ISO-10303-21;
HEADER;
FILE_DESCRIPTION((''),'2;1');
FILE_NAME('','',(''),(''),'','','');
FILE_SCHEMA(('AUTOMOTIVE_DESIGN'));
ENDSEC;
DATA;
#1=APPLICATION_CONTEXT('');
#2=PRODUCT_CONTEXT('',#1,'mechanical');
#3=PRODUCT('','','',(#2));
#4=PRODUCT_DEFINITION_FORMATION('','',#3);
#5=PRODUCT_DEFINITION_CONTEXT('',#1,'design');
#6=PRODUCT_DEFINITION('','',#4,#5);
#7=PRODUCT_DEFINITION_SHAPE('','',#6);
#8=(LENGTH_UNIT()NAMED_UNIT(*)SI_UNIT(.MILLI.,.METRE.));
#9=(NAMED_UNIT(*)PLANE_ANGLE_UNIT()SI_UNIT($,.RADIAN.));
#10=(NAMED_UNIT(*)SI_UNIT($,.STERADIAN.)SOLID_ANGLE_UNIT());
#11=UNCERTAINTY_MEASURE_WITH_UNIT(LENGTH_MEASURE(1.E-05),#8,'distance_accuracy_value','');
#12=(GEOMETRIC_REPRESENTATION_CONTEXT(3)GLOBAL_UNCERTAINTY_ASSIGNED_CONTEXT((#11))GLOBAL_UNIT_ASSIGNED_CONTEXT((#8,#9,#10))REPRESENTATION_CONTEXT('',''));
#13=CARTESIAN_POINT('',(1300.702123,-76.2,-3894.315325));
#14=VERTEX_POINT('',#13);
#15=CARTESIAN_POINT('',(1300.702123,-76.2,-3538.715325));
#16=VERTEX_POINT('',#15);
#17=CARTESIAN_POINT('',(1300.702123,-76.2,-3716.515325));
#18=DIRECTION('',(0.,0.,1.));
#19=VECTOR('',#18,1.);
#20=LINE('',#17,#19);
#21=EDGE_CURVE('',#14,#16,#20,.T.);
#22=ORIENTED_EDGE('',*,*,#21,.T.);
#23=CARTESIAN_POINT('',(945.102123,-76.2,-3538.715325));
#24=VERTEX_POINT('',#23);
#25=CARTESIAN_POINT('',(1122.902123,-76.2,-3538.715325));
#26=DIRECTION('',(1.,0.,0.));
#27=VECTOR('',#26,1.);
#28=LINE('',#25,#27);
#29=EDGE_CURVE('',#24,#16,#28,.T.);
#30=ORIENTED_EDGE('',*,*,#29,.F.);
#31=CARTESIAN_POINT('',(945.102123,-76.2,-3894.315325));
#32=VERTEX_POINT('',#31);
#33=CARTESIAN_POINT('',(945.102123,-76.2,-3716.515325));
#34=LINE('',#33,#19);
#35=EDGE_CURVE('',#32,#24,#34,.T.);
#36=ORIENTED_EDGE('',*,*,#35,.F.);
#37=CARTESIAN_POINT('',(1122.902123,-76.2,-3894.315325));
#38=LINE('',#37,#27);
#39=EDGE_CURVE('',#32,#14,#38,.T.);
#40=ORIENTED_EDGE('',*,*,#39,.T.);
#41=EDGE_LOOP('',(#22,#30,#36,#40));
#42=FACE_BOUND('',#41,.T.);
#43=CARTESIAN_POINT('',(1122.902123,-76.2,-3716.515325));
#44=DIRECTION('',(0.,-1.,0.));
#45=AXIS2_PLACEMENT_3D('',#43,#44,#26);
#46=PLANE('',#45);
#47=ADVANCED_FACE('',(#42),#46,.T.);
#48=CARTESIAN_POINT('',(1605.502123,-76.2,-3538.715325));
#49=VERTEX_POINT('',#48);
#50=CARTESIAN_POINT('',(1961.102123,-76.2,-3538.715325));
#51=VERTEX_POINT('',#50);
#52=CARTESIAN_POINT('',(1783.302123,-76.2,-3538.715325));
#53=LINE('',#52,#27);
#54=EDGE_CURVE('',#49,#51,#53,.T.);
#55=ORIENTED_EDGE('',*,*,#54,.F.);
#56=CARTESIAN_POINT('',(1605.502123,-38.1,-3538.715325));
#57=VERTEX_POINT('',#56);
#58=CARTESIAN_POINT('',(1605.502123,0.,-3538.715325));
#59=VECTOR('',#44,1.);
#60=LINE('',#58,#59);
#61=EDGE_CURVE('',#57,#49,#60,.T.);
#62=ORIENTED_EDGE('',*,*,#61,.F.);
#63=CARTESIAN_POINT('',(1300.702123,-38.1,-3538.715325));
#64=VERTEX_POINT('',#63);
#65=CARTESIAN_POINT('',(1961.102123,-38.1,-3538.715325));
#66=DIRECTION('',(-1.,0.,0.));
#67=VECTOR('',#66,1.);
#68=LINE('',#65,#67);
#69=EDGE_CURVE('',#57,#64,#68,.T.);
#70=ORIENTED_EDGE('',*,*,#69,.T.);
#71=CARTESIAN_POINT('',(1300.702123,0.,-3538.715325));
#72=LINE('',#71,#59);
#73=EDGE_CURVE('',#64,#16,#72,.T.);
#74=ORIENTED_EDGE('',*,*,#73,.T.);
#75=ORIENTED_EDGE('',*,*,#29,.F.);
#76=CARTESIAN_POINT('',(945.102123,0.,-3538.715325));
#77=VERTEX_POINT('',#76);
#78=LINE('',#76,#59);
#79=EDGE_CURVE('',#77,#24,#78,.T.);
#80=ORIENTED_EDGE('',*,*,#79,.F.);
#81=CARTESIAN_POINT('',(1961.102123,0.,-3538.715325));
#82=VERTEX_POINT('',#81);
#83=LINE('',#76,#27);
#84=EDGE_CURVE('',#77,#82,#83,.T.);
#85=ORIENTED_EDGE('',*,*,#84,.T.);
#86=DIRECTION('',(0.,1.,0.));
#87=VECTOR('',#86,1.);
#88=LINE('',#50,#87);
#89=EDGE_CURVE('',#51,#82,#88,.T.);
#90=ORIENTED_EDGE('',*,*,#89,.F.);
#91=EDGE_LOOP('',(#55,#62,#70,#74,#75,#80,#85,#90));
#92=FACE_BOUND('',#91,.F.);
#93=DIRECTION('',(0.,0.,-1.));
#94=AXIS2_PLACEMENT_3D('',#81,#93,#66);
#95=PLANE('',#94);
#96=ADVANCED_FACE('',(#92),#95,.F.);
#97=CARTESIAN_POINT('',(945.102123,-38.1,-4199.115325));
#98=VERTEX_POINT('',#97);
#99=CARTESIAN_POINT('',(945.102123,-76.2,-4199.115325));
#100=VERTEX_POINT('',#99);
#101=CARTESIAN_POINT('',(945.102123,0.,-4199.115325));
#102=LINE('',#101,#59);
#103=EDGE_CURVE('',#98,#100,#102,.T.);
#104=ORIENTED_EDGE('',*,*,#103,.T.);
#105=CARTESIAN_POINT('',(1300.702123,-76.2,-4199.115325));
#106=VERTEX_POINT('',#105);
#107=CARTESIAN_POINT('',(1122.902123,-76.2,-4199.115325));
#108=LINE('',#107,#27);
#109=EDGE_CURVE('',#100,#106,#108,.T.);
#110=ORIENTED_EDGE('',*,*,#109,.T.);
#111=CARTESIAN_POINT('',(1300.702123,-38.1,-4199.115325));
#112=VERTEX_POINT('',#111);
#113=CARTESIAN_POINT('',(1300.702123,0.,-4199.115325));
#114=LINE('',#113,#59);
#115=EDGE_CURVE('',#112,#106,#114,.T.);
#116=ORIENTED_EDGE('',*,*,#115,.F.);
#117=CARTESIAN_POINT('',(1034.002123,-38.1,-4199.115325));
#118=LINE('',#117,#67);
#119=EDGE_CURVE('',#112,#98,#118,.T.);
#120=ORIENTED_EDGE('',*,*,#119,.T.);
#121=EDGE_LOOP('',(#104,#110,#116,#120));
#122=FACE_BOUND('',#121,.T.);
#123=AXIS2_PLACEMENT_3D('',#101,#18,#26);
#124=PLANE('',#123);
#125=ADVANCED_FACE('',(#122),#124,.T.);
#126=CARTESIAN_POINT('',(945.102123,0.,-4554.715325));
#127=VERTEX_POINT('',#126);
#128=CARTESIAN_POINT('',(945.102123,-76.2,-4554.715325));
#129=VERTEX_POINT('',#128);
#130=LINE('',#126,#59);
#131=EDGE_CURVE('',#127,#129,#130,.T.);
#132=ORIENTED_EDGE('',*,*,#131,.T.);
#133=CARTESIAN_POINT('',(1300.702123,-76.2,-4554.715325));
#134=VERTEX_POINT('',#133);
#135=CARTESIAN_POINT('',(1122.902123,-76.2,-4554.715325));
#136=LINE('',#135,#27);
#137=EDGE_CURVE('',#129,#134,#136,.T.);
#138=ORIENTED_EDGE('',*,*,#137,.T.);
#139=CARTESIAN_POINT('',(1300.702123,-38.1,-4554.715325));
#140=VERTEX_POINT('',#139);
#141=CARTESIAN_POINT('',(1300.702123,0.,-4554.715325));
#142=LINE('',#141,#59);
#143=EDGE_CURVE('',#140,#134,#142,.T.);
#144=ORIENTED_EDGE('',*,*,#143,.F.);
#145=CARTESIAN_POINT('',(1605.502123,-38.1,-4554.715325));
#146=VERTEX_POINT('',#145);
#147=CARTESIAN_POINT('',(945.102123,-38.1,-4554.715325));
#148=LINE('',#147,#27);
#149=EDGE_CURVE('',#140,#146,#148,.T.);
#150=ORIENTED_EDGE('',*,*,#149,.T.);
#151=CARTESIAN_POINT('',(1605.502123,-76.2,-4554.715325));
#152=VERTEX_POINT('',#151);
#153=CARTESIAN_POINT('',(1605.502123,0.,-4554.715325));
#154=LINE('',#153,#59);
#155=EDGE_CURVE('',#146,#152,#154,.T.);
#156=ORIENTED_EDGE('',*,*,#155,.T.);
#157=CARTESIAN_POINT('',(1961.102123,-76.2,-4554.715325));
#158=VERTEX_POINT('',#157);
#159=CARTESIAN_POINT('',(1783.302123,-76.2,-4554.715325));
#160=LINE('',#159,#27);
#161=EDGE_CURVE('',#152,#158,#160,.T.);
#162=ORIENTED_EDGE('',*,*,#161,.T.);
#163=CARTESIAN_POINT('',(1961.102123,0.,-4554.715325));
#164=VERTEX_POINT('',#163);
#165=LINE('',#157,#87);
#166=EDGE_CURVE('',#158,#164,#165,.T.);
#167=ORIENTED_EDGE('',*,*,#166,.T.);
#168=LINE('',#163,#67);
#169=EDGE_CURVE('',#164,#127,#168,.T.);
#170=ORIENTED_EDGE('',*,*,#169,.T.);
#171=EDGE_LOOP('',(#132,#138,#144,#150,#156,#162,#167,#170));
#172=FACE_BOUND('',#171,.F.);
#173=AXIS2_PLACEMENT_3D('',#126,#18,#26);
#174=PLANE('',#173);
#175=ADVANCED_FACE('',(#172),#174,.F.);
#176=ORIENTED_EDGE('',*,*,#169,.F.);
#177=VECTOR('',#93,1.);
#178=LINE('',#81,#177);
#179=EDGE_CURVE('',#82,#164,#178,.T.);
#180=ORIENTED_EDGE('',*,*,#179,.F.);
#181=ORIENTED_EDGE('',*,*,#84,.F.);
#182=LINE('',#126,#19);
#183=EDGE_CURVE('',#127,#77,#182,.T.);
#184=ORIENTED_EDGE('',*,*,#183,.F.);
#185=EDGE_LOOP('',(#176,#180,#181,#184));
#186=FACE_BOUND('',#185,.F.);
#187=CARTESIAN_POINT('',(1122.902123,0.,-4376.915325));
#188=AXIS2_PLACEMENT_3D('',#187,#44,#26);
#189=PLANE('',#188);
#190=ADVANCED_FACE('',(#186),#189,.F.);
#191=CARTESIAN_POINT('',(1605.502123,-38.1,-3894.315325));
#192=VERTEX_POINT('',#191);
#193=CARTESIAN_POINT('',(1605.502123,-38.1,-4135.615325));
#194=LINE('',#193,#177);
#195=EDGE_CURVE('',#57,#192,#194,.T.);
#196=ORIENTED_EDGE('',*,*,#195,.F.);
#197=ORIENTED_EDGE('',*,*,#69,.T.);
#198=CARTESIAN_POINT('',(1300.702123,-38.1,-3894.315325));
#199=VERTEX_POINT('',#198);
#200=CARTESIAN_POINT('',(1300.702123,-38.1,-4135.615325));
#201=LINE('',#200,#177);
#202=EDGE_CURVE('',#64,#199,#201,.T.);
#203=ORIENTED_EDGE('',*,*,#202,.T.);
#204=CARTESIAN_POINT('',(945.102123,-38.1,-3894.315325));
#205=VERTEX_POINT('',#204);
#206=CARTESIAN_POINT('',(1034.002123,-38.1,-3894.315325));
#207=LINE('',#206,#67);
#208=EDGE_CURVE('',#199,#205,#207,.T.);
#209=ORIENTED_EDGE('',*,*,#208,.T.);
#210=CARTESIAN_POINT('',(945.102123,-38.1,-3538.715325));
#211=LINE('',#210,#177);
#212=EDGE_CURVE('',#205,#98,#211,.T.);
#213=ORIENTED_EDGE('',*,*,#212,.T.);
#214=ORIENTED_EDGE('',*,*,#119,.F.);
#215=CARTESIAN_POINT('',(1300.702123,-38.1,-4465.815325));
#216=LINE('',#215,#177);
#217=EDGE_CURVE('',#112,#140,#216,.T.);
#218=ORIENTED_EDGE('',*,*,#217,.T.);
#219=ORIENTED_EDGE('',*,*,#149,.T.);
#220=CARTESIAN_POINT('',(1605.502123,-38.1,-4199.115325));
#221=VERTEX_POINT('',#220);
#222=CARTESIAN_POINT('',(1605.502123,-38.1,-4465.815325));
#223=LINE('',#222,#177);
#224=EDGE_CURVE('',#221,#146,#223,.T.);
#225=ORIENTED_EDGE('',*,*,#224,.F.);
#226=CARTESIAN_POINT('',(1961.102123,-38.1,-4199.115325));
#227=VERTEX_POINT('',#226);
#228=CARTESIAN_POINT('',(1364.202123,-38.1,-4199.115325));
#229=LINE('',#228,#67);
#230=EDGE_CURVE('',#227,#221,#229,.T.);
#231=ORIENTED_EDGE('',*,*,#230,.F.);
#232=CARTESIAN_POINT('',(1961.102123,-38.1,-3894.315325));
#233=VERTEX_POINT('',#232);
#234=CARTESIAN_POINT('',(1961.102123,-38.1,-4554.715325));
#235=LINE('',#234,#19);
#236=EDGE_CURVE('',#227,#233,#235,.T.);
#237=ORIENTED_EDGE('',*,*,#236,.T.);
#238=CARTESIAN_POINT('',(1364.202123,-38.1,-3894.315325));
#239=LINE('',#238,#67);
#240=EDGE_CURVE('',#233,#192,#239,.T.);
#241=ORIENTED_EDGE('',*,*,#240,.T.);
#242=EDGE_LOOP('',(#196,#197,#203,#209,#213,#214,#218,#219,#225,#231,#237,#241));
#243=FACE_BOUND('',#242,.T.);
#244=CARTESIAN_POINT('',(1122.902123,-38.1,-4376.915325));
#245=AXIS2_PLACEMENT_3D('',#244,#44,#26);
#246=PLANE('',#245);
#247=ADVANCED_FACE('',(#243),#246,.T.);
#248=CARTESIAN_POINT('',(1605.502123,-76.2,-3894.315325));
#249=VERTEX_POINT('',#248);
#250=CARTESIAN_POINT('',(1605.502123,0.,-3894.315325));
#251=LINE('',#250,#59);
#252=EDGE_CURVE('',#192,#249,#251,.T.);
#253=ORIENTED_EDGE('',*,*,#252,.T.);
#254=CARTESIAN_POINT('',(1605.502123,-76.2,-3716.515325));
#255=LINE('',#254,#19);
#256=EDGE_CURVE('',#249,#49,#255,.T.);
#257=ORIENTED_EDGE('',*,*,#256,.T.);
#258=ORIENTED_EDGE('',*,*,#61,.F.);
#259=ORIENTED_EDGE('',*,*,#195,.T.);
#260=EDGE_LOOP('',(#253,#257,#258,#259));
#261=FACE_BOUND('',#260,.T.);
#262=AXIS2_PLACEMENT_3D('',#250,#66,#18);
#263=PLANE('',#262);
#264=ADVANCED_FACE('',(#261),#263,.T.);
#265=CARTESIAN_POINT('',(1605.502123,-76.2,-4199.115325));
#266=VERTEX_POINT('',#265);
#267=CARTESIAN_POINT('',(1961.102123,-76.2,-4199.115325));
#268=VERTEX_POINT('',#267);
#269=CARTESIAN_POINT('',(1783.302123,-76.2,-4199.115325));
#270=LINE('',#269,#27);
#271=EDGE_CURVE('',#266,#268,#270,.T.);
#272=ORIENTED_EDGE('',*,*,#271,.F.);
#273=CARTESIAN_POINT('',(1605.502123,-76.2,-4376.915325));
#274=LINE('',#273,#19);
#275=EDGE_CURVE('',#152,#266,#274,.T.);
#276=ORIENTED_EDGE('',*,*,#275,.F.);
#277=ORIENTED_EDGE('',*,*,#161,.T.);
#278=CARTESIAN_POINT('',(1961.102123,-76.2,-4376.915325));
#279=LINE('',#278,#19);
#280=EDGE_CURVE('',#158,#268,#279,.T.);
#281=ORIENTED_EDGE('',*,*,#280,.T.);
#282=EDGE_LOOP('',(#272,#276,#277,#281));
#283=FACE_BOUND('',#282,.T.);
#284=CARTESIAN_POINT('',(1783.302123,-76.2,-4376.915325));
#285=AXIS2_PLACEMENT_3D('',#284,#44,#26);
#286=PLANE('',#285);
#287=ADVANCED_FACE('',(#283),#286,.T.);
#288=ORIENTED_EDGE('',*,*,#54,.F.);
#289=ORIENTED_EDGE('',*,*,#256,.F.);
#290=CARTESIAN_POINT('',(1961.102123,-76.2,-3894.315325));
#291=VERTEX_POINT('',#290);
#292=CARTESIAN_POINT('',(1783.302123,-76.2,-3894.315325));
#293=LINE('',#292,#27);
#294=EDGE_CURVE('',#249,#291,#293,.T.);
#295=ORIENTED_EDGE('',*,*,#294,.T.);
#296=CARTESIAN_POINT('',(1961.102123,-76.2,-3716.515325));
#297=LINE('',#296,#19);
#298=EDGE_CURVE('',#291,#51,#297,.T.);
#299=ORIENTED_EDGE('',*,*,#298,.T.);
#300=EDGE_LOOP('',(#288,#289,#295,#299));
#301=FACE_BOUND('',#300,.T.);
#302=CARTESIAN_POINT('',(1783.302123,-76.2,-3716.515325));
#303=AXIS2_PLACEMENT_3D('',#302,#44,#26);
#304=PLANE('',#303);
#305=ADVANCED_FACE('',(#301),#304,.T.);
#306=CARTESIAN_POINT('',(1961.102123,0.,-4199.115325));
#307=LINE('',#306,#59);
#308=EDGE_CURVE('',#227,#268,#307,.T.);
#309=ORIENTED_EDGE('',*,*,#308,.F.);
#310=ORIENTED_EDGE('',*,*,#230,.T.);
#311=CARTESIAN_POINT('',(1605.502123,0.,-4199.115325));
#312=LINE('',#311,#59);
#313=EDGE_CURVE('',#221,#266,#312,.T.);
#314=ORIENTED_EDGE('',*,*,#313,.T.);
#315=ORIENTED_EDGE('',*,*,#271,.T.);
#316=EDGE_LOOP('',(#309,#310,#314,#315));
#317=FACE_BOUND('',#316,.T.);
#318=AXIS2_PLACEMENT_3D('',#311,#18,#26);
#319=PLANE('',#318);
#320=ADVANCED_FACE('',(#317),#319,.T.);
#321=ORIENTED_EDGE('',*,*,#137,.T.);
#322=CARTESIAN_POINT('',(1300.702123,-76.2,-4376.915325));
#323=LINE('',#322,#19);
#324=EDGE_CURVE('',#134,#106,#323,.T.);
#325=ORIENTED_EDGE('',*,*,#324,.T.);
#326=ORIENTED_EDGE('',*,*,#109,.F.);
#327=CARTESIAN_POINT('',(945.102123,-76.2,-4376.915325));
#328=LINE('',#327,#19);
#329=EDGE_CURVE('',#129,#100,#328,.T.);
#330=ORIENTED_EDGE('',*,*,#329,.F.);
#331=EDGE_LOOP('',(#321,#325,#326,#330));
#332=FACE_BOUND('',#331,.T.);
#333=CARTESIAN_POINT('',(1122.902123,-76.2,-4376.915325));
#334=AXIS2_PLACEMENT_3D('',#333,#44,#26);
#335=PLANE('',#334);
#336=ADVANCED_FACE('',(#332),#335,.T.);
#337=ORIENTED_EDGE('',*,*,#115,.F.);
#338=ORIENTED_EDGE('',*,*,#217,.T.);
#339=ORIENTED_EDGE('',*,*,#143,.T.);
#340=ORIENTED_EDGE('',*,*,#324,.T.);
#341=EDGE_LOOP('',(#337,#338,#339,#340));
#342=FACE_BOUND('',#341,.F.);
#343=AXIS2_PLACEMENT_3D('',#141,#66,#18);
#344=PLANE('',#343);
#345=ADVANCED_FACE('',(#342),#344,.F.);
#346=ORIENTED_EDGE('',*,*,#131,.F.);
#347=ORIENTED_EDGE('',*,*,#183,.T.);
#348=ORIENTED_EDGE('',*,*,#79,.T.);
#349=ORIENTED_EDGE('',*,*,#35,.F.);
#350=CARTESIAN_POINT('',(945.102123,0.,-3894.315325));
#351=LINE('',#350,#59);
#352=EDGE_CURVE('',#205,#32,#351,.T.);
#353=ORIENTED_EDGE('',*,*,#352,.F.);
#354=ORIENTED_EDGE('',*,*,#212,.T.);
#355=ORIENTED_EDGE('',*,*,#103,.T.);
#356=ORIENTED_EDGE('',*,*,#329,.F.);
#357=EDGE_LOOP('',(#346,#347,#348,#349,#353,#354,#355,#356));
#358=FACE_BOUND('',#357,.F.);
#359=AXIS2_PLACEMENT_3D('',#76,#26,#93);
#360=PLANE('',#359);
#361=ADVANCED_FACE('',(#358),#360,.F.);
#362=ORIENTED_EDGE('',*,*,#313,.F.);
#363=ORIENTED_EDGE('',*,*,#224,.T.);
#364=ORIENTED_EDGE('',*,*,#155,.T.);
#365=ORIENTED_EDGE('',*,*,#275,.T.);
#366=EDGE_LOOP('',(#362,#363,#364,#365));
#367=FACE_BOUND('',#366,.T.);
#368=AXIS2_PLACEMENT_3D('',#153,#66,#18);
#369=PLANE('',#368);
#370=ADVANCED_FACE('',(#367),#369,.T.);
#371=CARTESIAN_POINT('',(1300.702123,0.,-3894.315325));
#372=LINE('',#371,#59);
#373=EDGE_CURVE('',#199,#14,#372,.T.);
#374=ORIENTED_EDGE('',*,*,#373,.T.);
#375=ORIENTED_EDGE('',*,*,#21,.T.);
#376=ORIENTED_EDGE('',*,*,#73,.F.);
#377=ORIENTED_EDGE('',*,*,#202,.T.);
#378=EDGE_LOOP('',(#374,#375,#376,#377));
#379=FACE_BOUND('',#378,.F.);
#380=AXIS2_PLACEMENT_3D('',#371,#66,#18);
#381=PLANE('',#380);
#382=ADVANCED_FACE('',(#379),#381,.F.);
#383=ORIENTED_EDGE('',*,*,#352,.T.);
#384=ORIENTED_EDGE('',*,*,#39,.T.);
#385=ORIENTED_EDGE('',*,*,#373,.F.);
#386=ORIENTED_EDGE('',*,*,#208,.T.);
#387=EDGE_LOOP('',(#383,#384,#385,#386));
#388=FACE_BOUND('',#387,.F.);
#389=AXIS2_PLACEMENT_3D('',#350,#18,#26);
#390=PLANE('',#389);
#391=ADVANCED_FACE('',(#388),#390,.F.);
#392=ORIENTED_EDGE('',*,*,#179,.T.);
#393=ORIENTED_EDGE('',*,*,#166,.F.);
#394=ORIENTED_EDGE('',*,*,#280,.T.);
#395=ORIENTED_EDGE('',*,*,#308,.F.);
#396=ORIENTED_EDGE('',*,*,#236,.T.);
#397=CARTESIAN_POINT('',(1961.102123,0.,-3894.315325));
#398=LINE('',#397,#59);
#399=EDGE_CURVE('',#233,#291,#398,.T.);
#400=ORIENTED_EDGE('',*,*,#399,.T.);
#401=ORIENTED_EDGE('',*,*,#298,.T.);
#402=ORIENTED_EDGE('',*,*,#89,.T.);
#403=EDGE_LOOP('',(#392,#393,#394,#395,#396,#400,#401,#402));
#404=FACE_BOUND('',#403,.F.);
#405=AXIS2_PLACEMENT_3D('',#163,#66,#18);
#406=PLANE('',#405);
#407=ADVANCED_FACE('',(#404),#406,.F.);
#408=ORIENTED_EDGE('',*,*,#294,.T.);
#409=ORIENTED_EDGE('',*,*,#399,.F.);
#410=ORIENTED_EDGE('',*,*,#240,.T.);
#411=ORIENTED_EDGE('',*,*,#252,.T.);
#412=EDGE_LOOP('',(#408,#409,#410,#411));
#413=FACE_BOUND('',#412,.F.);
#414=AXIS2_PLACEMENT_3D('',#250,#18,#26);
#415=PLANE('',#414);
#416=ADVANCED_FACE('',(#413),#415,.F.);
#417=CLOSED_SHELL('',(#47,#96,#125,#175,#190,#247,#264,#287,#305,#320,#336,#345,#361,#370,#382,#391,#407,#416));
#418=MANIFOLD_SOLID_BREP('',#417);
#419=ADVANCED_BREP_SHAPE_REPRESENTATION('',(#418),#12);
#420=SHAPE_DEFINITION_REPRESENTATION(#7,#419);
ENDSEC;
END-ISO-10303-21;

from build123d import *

# Parameters (mm, degrees)
F0_W     = 355.6
F0_H     = 355.6
F1_DEPTH = 38.1
F2_DEPTH = 76.2


with BuildPart() as f1:
    # F0 (on Front) → F1 (new body)
    with BuildSketch(Plane.XZ):
        with Locations((1122.902123, -4376.915325)):
            Rectangle(F0_W, F0_H)
        Polygon((945.102123, -3894.315325), (945.102123, -4199.115325), (1300.702123, -4199.115325), (1300.702123, -4554.715325), (1605.502123, -4554.715325), (1605.502123, -4199.115325), (1961.102123, -4199.115325), (1961.102123, -3894.315325), (1605.502123, -3894.315325), (1605.502123, -3538.715325), (1300.702123, -3538.715325), (1300.702123, -3894.315325), align=None)
        with Locations((1783.302123, -4376.915325)):
            Rectangle(F0_W, F0_H)
        with Locations((1783.302123, -3716.515325)):
            Rectangle(F0_W, F0_H)
        with Locations((1122.902123, -3716.515325)):
            Rectangle(F0_W, F0_H)
    extrude(amount=F1_DEPTH)

    # F0 (on Front) → F2 (join)
    with BuildSketch(Plane.XZ):
        with Locations((1783.302123, -3716.515325)):
            Rectangle(F0_W, F0_H)
        with Locations((1783.302123, -4376.915325)):
            Rectangle(F0_W, F0_H)
        with Locations((1122.902123, -4376.915325)):
            Rectangle(F0_W, F0_H)
        with Locations((1122.902123, -3716.515325)):
            Rectangle(F0_W, F0_H)
    extrude(amount=F2_DEPTH)


solid = f1.part
